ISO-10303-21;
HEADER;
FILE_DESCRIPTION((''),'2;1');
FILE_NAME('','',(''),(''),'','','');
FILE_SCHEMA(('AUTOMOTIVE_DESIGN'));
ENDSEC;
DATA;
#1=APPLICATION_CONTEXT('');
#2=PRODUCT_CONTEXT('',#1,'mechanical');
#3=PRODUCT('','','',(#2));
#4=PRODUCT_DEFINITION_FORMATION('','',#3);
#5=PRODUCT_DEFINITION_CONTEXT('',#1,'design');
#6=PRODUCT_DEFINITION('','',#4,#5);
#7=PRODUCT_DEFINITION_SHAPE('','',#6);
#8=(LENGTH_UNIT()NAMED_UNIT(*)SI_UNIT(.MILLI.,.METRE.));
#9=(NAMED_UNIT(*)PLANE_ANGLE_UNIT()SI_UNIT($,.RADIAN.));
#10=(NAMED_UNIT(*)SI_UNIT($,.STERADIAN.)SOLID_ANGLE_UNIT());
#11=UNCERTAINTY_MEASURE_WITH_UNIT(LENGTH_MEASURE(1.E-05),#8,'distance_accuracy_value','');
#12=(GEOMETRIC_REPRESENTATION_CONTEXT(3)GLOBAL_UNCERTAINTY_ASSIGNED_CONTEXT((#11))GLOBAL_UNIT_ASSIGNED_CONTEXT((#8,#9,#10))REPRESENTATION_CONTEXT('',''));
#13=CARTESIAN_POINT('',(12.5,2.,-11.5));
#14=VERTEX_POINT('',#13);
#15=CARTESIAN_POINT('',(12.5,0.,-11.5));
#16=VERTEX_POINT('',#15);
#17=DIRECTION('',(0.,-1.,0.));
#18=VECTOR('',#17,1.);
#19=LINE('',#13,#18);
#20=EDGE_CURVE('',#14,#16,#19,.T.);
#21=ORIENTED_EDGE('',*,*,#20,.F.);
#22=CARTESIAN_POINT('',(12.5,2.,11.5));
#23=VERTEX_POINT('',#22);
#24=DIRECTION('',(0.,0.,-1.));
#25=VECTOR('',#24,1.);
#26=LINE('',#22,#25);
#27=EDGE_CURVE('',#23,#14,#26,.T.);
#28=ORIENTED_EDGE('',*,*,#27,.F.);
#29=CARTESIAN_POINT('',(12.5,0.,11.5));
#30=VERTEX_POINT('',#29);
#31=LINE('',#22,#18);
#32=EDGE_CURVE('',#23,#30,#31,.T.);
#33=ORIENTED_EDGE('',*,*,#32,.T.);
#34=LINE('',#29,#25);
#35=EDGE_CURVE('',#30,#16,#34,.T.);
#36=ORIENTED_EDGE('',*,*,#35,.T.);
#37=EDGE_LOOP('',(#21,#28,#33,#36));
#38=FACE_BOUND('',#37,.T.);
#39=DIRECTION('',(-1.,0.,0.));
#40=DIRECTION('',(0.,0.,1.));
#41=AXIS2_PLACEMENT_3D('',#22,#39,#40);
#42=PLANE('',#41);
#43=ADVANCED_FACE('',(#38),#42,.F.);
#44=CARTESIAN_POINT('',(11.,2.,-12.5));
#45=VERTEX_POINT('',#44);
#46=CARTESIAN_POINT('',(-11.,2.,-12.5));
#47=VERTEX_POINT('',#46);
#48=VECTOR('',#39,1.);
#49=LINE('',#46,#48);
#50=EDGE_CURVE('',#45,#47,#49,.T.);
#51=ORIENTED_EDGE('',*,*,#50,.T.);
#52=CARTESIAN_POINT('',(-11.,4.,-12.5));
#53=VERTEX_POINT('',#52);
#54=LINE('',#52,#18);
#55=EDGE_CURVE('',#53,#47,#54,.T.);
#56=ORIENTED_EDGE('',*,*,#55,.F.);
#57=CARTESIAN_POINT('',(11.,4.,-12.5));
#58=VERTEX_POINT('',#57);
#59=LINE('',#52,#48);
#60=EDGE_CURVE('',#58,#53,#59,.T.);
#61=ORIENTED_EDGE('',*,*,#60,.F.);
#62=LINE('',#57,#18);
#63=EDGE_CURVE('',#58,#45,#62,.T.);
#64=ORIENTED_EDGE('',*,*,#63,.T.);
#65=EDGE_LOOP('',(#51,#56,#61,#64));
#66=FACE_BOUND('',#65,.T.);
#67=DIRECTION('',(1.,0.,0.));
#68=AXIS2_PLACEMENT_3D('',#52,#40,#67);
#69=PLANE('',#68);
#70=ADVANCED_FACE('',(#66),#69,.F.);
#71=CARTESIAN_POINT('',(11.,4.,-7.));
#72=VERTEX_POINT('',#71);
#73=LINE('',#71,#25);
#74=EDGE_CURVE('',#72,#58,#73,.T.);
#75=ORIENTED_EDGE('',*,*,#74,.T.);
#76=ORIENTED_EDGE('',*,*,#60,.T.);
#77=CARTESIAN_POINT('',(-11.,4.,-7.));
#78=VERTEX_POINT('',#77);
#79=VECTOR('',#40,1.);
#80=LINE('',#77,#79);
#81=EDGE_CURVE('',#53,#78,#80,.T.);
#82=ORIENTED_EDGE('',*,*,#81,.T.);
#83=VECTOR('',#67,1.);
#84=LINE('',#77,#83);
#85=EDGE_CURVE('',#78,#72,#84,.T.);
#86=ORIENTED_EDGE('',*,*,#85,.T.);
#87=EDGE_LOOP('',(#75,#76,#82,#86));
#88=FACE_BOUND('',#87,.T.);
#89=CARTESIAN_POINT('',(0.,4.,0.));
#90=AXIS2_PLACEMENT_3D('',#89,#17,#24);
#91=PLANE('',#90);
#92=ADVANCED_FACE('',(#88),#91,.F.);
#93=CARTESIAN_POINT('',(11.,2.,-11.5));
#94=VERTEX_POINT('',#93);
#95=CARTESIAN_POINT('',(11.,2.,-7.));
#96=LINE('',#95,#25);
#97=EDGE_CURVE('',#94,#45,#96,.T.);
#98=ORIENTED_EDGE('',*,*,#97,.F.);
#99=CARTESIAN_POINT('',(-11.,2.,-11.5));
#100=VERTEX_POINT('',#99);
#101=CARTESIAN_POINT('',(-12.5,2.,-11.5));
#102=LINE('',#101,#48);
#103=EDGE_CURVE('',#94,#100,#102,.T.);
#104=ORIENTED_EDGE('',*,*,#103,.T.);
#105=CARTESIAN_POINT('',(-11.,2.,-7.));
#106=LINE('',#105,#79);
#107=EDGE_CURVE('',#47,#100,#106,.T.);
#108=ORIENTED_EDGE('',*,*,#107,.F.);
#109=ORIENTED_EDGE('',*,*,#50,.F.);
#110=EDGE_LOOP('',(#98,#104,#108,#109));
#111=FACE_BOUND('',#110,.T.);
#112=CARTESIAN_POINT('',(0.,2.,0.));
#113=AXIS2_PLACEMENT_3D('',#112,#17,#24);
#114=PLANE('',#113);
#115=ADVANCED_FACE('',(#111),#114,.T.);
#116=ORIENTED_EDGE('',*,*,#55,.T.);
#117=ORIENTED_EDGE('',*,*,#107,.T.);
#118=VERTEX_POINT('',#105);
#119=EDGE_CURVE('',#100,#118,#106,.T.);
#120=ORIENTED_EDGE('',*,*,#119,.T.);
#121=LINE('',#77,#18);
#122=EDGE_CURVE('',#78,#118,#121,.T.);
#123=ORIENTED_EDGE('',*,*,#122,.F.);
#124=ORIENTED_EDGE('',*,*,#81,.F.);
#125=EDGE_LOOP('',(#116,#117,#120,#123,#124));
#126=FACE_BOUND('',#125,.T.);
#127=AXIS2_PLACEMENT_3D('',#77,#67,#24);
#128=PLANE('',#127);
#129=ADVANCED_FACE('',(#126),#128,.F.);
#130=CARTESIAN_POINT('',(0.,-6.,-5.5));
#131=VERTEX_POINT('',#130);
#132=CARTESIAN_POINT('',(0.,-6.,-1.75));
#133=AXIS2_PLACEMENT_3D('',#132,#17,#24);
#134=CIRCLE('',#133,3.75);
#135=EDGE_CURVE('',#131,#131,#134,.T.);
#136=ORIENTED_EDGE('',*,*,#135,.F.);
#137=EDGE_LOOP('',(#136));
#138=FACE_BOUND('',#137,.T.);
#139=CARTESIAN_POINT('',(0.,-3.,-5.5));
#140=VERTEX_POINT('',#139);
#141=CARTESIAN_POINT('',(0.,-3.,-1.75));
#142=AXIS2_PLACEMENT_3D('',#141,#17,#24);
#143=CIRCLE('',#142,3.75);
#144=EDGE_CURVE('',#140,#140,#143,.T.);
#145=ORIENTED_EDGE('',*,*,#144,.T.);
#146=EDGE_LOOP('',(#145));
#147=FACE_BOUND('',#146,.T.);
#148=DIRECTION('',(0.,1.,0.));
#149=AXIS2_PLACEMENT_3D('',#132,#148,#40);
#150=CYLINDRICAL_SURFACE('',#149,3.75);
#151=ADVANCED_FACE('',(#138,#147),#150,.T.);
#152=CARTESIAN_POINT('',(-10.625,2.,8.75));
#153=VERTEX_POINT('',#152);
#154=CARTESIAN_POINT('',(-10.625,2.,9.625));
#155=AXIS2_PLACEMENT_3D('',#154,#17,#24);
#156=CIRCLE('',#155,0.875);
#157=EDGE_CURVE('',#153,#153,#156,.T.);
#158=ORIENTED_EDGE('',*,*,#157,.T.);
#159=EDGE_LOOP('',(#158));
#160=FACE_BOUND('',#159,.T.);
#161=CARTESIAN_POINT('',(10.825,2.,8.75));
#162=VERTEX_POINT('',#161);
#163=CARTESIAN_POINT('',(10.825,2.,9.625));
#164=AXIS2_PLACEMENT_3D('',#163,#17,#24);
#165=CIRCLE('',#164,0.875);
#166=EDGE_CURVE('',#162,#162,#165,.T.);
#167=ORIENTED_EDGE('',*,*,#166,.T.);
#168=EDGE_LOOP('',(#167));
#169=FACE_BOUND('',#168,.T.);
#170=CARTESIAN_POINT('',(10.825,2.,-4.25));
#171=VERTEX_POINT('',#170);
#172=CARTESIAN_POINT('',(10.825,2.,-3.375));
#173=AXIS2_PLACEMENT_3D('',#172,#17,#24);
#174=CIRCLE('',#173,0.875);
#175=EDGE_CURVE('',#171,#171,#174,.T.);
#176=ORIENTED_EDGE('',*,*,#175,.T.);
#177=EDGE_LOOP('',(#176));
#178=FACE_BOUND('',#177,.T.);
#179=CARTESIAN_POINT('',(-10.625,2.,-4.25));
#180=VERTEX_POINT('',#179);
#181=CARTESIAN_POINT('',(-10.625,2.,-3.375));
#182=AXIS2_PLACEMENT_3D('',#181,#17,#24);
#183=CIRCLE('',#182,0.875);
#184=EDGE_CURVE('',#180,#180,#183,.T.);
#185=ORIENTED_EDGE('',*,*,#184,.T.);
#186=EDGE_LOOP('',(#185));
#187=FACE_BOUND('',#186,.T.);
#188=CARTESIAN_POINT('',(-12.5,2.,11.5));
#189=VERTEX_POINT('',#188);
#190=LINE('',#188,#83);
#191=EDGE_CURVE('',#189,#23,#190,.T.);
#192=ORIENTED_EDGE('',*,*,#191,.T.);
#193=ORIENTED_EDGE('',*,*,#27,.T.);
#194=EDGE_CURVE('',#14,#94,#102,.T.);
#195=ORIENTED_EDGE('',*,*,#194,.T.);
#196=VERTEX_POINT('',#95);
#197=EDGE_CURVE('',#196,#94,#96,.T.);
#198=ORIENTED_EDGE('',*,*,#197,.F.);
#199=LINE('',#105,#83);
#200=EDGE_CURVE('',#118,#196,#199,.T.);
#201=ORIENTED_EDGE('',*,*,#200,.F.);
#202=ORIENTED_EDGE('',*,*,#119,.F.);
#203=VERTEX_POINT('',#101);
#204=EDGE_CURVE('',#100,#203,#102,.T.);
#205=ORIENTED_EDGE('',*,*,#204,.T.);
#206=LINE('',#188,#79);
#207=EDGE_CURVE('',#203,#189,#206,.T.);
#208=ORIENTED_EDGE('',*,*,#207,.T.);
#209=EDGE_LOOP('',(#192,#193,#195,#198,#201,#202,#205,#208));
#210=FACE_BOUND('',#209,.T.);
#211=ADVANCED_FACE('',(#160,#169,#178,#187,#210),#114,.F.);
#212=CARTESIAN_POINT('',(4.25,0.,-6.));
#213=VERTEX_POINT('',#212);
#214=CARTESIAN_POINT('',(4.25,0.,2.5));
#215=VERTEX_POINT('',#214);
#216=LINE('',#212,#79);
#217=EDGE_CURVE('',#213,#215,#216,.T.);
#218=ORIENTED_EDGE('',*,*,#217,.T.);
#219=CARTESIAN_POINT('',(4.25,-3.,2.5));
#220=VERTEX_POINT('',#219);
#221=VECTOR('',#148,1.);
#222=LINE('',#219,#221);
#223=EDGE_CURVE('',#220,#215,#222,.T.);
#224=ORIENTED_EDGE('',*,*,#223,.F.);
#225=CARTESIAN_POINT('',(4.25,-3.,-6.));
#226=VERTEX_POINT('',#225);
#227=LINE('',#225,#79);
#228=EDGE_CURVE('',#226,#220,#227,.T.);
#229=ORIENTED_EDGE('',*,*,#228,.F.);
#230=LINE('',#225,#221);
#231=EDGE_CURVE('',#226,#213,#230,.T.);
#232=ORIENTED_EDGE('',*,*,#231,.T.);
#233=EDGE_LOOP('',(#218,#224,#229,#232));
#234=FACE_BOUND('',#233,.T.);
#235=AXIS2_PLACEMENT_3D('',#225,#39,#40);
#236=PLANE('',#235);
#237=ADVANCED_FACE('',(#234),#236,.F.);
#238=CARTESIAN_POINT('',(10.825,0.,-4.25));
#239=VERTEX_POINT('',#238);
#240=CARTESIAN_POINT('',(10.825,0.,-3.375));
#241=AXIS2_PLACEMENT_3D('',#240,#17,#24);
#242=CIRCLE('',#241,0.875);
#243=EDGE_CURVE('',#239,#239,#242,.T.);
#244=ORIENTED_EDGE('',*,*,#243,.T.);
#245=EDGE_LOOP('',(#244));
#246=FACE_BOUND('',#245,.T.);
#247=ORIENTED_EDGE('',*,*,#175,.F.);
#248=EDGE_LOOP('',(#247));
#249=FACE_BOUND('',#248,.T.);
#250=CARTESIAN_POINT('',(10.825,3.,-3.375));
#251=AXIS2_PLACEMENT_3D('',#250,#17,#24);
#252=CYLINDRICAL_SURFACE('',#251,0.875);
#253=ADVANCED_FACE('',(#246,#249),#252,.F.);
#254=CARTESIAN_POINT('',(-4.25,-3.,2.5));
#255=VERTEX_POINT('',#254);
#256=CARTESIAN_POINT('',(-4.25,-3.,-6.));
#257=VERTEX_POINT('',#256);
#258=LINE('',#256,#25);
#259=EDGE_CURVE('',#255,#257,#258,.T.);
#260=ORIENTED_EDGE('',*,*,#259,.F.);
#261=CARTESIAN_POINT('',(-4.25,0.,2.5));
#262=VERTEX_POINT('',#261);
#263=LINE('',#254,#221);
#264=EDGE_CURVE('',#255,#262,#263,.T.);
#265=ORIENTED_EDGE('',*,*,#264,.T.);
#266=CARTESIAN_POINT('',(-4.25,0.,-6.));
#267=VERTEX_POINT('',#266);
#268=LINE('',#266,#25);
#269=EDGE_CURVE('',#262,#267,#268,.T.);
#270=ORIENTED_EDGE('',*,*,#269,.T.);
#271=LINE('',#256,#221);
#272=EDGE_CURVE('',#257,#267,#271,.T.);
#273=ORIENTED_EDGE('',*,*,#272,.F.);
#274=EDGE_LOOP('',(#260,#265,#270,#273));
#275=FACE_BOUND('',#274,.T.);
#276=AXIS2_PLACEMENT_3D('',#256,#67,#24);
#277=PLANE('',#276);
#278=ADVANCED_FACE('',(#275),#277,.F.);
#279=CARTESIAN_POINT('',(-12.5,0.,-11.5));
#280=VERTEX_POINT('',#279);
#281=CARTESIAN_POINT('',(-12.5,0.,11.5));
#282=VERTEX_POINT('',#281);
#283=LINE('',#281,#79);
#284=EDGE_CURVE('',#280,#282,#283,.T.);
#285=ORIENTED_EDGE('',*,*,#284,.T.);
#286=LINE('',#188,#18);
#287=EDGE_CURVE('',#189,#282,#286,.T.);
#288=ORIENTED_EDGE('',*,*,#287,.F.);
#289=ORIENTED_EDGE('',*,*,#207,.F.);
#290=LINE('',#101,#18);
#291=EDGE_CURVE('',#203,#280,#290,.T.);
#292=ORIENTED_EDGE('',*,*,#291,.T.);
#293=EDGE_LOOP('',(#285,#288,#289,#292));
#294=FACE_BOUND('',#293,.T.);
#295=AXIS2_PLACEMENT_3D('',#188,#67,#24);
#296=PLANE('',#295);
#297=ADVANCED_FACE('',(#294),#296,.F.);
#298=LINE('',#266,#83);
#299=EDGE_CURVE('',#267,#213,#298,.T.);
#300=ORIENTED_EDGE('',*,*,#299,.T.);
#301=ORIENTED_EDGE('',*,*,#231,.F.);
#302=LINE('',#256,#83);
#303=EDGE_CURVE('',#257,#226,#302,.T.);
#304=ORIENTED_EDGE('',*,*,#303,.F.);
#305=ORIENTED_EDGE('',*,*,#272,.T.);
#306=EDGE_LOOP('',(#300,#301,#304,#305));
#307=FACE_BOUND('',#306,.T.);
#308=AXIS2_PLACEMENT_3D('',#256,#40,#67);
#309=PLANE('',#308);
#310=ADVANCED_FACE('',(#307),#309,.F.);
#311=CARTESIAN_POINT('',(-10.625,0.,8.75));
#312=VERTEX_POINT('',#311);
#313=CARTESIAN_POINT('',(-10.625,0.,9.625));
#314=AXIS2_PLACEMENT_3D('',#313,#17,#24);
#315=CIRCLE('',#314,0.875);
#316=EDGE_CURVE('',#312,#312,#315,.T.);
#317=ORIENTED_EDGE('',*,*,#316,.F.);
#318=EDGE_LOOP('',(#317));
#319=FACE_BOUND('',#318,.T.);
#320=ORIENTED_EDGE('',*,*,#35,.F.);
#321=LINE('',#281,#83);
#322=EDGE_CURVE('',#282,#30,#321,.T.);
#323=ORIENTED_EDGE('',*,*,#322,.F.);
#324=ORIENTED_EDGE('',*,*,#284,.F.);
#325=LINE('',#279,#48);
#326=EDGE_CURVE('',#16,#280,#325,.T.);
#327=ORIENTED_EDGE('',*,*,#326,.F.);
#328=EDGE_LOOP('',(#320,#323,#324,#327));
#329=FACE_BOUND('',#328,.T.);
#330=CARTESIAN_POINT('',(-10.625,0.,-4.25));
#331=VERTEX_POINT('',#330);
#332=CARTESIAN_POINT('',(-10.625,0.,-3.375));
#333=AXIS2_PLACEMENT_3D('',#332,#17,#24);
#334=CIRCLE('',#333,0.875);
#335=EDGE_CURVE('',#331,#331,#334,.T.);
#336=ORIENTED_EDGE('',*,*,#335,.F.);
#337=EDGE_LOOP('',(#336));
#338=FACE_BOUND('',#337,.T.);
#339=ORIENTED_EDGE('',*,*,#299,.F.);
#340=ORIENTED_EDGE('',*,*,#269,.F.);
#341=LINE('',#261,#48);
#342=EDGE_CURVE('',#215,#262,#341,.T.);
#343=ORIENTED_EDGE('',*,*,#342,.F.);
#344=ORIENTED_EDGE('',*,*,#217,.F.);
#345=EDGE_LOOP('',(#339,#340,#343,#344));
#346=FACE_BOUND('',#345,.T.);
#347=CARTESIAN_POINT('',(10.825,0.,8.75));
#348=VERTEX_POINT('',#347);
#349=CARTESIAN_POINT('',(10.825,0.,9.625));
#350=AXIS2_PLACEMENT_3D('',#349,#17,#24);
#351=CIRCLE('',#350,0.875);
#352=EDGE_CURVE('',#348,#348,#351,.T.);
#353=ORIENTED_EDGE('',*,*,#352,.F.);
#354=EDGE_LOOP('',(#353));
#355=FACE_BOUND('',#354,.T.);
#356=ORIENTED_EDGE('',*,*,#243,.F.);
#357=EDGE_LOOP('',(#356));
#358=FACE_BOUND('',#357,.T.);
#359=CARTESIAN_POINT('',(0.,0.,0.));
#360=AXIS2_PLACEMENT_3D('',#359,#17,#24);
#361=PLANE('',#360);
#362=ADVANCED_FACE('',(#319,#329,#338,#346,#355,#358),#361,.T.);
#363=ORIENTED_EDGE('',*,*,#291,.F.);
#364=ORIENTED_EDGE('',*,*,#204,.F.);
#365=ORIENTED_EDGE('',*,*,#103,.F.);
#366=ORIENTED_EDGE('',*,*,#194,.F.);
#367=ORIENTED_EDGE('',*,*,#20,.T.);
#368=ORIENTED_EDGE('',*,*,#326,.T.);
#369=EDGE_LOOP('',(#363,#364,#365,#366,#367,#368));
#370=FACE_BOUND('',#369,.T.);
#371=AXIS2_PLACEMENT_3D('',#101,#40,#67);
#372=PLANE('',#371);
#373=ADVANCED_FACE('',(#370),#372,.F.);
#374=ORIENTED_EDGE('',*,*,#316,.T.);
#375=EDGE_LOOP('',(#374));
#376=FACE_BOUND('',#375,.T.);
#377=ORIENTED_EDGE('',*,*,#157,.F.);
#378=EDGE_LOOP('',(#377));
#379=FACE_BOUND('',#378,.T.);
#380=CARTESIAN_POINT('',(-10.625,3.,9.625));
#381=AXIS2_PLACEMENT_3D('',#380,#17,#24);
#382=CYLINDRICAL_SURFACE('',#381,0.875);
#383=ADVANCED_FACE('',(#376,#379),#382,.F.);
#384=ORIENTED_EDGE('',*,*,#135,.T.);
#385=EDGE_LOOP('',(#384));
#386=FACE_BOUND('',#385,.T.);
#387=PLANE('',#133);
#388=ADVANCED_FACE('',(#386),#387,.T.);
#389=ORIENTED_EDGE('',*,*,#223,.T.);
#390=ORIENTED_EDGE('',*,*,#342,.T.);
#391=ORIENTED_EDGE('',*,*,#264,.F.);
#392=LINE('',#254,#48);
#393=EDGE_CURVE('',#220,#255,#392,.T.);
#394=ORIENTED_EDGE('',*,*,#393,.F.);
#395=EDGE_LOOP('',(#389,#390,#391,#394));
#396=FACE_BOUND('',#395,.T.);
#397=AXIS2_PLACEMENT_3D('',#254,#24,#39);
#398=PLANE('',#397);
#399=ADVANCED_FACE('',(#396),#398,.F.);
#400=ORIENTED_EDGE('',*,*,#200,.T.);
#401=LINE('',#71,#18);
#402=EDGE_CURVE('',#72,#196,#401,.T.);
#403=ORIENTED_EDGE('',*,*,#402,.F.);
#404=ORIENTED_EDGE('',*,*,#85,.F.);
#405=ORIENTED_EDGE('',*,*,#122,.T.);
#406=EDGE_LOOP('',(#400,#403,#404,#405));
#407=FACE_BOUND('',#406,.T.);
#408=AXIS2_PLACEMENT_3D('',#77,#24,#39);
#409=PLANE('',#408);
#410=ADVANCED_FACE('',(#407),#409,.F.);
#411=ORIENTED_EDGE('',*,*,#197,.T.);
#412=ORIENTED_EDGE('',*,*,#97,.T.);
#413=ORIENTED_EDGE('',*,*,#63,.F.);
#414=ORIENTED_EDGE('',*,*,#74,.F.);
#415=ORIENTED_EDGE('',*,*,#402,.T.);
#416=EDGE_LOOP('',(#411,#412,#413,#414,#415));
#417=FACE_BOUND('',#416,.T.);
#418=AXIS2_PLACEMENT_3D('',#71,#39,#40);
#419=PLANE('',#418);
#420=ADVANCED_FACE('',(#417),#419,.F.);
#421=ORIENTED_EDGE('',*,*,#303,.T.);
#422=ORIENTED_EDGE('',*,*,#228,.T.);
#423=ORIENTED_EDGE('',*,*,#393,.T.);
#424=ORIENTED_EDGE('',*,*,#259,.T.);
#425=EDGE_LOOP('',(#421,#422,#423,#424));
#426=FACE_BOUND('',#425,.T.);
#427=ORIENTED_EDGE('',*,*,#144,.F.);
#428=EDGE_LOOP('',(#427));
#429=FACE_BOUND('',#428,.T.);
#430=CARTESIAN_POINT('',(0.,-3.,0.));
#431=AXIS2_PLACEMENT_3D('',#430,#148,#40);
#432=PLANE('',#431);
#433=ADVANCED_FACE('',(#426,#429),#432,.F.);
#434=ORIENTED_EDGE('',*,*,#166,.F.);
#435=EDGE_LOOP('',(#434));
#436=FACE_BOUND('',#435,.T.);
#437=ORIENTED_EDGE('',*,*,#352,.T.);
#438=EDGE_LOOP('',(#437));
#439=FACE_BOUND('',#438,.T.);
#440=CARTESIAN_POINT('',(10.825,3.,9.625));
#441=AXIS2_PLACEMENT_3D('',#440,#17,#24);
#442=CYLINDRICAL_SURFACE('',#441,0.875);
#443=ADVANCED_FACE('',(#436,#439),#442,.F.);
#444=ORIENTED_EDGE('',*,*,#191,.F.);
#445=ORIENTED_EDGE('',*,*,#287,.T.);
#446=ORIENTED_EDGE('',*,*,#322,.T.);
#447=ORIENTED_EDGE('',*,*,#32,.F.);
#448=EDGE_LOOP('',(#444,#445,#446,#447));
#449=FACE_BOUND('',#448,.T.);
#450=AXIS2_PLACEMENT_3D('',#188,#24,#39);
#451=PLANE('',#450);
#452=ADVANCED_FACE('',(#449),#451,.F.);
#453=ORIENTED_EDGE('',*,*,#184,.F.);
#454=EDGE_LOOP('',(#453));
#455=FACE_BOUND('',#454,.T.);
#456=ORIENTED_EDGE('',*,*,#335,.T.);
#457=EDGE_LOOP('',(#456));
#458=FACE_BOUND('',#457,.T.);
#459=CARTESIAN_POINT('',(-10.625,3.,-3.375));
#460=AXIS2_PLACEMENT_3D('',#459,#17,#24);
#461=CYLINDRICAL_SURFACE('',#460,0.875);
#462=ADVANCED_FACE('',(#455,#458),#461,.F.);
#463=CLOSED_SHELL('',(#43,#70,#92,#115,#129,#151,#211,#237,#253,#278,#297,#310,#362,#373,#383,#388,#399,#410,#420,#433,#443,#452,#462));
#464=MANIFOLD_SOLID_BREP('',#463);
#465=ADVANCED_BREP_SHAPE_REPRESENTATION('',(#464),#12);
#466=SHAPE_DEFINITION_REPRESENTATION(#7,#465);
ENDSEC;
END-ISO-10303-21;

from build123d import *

# Parameters (mm, degrees)
CROQUIS1_W              = 25
CROQUIS1_H              = 23
SALIENTE_EXTRUIR1_DEPTH = 2
CROQUIS2_W              = 8.5
CROQUIS2_H              = 8.5
SALIENTE_EXTRUIR2_DEPTH = 3
CROQUIS3_R              = 3.75
SALIENTE_EXTRUIR3_DEPTH = 3
CROQUIS4_R              = 0.875
CORTAR_EXTRUIR1_DEPTH   = 3
CROQUIS5_W              = 22
CROQUIS5_H              = 5.5
SALIENTE_EXTRUIR4_DEPTH = 2


with BuildPart() as part:
    # Croquis1 → Saliente-Extruir1 (new body)
    with BuildSketch(Plane(origin=(0, 0, 0), x_dir=(1, 0, 0), z_dir=(0, 1, 0))):
        Rectangle(CROQUIS1_W, CROQUIS1_H)
    extrude(amount=SALIENTE_EXTRUIR1_DEPTH)

    # Croquis2 → Saliente-Extruir2 (add)
    with BuildSketch(Plane.XZ):
        with Locations((0, -1.75)):
            Rectangle(CROQUIS2_W, CROQUIS2_H)
    extrude(amount=SALIENTE_EXTRUIR2_DEPTH)

    # Croquis3 → Saliente-Extruir3 (add)
    with BuildSketch(Plane.XZ.offset(3)):
        with Locations((0, -1.75)):
            Circle(CROQUIS3_R)
    extrude(amount=SALIENTE_EXTRUIR3_DEPTH)

    # Croquis4 → Cortar-Extruir1 (cut)
    with BuildSketch(Plane.XZ):
        with Locations((-10.625, 9.625)):
            Circle(CROQUIS4_R)
        with Locations((10.825, 9.625)):
            Circle(CROQUIS4_R)
        with Locations((10.825, -3.375)):
            Circle(CROQUIS4_R)
        with Locations((-10.625, -3.375)):
            Circle(CROQUIS4_R)
    extrude(amount=-CORTAR_EXTRUIR1_DEPTH, mode=Mode.SUBTRACT)

    # Croquis5 → Saliente-Extruir4 (add)
    with BuildSketch(Plane(origin=(0, 2, 0), x_dir=(1, 0, 0), z_dir=(0, 1, 0))):
        with Locations((0, 9.75)):
            Rectangle(CROQUIS5_W, CROQUIS5_H)
    extrude(amount=SALIENTE_EXTRUIR4_DEPTH)


solid = part.part
